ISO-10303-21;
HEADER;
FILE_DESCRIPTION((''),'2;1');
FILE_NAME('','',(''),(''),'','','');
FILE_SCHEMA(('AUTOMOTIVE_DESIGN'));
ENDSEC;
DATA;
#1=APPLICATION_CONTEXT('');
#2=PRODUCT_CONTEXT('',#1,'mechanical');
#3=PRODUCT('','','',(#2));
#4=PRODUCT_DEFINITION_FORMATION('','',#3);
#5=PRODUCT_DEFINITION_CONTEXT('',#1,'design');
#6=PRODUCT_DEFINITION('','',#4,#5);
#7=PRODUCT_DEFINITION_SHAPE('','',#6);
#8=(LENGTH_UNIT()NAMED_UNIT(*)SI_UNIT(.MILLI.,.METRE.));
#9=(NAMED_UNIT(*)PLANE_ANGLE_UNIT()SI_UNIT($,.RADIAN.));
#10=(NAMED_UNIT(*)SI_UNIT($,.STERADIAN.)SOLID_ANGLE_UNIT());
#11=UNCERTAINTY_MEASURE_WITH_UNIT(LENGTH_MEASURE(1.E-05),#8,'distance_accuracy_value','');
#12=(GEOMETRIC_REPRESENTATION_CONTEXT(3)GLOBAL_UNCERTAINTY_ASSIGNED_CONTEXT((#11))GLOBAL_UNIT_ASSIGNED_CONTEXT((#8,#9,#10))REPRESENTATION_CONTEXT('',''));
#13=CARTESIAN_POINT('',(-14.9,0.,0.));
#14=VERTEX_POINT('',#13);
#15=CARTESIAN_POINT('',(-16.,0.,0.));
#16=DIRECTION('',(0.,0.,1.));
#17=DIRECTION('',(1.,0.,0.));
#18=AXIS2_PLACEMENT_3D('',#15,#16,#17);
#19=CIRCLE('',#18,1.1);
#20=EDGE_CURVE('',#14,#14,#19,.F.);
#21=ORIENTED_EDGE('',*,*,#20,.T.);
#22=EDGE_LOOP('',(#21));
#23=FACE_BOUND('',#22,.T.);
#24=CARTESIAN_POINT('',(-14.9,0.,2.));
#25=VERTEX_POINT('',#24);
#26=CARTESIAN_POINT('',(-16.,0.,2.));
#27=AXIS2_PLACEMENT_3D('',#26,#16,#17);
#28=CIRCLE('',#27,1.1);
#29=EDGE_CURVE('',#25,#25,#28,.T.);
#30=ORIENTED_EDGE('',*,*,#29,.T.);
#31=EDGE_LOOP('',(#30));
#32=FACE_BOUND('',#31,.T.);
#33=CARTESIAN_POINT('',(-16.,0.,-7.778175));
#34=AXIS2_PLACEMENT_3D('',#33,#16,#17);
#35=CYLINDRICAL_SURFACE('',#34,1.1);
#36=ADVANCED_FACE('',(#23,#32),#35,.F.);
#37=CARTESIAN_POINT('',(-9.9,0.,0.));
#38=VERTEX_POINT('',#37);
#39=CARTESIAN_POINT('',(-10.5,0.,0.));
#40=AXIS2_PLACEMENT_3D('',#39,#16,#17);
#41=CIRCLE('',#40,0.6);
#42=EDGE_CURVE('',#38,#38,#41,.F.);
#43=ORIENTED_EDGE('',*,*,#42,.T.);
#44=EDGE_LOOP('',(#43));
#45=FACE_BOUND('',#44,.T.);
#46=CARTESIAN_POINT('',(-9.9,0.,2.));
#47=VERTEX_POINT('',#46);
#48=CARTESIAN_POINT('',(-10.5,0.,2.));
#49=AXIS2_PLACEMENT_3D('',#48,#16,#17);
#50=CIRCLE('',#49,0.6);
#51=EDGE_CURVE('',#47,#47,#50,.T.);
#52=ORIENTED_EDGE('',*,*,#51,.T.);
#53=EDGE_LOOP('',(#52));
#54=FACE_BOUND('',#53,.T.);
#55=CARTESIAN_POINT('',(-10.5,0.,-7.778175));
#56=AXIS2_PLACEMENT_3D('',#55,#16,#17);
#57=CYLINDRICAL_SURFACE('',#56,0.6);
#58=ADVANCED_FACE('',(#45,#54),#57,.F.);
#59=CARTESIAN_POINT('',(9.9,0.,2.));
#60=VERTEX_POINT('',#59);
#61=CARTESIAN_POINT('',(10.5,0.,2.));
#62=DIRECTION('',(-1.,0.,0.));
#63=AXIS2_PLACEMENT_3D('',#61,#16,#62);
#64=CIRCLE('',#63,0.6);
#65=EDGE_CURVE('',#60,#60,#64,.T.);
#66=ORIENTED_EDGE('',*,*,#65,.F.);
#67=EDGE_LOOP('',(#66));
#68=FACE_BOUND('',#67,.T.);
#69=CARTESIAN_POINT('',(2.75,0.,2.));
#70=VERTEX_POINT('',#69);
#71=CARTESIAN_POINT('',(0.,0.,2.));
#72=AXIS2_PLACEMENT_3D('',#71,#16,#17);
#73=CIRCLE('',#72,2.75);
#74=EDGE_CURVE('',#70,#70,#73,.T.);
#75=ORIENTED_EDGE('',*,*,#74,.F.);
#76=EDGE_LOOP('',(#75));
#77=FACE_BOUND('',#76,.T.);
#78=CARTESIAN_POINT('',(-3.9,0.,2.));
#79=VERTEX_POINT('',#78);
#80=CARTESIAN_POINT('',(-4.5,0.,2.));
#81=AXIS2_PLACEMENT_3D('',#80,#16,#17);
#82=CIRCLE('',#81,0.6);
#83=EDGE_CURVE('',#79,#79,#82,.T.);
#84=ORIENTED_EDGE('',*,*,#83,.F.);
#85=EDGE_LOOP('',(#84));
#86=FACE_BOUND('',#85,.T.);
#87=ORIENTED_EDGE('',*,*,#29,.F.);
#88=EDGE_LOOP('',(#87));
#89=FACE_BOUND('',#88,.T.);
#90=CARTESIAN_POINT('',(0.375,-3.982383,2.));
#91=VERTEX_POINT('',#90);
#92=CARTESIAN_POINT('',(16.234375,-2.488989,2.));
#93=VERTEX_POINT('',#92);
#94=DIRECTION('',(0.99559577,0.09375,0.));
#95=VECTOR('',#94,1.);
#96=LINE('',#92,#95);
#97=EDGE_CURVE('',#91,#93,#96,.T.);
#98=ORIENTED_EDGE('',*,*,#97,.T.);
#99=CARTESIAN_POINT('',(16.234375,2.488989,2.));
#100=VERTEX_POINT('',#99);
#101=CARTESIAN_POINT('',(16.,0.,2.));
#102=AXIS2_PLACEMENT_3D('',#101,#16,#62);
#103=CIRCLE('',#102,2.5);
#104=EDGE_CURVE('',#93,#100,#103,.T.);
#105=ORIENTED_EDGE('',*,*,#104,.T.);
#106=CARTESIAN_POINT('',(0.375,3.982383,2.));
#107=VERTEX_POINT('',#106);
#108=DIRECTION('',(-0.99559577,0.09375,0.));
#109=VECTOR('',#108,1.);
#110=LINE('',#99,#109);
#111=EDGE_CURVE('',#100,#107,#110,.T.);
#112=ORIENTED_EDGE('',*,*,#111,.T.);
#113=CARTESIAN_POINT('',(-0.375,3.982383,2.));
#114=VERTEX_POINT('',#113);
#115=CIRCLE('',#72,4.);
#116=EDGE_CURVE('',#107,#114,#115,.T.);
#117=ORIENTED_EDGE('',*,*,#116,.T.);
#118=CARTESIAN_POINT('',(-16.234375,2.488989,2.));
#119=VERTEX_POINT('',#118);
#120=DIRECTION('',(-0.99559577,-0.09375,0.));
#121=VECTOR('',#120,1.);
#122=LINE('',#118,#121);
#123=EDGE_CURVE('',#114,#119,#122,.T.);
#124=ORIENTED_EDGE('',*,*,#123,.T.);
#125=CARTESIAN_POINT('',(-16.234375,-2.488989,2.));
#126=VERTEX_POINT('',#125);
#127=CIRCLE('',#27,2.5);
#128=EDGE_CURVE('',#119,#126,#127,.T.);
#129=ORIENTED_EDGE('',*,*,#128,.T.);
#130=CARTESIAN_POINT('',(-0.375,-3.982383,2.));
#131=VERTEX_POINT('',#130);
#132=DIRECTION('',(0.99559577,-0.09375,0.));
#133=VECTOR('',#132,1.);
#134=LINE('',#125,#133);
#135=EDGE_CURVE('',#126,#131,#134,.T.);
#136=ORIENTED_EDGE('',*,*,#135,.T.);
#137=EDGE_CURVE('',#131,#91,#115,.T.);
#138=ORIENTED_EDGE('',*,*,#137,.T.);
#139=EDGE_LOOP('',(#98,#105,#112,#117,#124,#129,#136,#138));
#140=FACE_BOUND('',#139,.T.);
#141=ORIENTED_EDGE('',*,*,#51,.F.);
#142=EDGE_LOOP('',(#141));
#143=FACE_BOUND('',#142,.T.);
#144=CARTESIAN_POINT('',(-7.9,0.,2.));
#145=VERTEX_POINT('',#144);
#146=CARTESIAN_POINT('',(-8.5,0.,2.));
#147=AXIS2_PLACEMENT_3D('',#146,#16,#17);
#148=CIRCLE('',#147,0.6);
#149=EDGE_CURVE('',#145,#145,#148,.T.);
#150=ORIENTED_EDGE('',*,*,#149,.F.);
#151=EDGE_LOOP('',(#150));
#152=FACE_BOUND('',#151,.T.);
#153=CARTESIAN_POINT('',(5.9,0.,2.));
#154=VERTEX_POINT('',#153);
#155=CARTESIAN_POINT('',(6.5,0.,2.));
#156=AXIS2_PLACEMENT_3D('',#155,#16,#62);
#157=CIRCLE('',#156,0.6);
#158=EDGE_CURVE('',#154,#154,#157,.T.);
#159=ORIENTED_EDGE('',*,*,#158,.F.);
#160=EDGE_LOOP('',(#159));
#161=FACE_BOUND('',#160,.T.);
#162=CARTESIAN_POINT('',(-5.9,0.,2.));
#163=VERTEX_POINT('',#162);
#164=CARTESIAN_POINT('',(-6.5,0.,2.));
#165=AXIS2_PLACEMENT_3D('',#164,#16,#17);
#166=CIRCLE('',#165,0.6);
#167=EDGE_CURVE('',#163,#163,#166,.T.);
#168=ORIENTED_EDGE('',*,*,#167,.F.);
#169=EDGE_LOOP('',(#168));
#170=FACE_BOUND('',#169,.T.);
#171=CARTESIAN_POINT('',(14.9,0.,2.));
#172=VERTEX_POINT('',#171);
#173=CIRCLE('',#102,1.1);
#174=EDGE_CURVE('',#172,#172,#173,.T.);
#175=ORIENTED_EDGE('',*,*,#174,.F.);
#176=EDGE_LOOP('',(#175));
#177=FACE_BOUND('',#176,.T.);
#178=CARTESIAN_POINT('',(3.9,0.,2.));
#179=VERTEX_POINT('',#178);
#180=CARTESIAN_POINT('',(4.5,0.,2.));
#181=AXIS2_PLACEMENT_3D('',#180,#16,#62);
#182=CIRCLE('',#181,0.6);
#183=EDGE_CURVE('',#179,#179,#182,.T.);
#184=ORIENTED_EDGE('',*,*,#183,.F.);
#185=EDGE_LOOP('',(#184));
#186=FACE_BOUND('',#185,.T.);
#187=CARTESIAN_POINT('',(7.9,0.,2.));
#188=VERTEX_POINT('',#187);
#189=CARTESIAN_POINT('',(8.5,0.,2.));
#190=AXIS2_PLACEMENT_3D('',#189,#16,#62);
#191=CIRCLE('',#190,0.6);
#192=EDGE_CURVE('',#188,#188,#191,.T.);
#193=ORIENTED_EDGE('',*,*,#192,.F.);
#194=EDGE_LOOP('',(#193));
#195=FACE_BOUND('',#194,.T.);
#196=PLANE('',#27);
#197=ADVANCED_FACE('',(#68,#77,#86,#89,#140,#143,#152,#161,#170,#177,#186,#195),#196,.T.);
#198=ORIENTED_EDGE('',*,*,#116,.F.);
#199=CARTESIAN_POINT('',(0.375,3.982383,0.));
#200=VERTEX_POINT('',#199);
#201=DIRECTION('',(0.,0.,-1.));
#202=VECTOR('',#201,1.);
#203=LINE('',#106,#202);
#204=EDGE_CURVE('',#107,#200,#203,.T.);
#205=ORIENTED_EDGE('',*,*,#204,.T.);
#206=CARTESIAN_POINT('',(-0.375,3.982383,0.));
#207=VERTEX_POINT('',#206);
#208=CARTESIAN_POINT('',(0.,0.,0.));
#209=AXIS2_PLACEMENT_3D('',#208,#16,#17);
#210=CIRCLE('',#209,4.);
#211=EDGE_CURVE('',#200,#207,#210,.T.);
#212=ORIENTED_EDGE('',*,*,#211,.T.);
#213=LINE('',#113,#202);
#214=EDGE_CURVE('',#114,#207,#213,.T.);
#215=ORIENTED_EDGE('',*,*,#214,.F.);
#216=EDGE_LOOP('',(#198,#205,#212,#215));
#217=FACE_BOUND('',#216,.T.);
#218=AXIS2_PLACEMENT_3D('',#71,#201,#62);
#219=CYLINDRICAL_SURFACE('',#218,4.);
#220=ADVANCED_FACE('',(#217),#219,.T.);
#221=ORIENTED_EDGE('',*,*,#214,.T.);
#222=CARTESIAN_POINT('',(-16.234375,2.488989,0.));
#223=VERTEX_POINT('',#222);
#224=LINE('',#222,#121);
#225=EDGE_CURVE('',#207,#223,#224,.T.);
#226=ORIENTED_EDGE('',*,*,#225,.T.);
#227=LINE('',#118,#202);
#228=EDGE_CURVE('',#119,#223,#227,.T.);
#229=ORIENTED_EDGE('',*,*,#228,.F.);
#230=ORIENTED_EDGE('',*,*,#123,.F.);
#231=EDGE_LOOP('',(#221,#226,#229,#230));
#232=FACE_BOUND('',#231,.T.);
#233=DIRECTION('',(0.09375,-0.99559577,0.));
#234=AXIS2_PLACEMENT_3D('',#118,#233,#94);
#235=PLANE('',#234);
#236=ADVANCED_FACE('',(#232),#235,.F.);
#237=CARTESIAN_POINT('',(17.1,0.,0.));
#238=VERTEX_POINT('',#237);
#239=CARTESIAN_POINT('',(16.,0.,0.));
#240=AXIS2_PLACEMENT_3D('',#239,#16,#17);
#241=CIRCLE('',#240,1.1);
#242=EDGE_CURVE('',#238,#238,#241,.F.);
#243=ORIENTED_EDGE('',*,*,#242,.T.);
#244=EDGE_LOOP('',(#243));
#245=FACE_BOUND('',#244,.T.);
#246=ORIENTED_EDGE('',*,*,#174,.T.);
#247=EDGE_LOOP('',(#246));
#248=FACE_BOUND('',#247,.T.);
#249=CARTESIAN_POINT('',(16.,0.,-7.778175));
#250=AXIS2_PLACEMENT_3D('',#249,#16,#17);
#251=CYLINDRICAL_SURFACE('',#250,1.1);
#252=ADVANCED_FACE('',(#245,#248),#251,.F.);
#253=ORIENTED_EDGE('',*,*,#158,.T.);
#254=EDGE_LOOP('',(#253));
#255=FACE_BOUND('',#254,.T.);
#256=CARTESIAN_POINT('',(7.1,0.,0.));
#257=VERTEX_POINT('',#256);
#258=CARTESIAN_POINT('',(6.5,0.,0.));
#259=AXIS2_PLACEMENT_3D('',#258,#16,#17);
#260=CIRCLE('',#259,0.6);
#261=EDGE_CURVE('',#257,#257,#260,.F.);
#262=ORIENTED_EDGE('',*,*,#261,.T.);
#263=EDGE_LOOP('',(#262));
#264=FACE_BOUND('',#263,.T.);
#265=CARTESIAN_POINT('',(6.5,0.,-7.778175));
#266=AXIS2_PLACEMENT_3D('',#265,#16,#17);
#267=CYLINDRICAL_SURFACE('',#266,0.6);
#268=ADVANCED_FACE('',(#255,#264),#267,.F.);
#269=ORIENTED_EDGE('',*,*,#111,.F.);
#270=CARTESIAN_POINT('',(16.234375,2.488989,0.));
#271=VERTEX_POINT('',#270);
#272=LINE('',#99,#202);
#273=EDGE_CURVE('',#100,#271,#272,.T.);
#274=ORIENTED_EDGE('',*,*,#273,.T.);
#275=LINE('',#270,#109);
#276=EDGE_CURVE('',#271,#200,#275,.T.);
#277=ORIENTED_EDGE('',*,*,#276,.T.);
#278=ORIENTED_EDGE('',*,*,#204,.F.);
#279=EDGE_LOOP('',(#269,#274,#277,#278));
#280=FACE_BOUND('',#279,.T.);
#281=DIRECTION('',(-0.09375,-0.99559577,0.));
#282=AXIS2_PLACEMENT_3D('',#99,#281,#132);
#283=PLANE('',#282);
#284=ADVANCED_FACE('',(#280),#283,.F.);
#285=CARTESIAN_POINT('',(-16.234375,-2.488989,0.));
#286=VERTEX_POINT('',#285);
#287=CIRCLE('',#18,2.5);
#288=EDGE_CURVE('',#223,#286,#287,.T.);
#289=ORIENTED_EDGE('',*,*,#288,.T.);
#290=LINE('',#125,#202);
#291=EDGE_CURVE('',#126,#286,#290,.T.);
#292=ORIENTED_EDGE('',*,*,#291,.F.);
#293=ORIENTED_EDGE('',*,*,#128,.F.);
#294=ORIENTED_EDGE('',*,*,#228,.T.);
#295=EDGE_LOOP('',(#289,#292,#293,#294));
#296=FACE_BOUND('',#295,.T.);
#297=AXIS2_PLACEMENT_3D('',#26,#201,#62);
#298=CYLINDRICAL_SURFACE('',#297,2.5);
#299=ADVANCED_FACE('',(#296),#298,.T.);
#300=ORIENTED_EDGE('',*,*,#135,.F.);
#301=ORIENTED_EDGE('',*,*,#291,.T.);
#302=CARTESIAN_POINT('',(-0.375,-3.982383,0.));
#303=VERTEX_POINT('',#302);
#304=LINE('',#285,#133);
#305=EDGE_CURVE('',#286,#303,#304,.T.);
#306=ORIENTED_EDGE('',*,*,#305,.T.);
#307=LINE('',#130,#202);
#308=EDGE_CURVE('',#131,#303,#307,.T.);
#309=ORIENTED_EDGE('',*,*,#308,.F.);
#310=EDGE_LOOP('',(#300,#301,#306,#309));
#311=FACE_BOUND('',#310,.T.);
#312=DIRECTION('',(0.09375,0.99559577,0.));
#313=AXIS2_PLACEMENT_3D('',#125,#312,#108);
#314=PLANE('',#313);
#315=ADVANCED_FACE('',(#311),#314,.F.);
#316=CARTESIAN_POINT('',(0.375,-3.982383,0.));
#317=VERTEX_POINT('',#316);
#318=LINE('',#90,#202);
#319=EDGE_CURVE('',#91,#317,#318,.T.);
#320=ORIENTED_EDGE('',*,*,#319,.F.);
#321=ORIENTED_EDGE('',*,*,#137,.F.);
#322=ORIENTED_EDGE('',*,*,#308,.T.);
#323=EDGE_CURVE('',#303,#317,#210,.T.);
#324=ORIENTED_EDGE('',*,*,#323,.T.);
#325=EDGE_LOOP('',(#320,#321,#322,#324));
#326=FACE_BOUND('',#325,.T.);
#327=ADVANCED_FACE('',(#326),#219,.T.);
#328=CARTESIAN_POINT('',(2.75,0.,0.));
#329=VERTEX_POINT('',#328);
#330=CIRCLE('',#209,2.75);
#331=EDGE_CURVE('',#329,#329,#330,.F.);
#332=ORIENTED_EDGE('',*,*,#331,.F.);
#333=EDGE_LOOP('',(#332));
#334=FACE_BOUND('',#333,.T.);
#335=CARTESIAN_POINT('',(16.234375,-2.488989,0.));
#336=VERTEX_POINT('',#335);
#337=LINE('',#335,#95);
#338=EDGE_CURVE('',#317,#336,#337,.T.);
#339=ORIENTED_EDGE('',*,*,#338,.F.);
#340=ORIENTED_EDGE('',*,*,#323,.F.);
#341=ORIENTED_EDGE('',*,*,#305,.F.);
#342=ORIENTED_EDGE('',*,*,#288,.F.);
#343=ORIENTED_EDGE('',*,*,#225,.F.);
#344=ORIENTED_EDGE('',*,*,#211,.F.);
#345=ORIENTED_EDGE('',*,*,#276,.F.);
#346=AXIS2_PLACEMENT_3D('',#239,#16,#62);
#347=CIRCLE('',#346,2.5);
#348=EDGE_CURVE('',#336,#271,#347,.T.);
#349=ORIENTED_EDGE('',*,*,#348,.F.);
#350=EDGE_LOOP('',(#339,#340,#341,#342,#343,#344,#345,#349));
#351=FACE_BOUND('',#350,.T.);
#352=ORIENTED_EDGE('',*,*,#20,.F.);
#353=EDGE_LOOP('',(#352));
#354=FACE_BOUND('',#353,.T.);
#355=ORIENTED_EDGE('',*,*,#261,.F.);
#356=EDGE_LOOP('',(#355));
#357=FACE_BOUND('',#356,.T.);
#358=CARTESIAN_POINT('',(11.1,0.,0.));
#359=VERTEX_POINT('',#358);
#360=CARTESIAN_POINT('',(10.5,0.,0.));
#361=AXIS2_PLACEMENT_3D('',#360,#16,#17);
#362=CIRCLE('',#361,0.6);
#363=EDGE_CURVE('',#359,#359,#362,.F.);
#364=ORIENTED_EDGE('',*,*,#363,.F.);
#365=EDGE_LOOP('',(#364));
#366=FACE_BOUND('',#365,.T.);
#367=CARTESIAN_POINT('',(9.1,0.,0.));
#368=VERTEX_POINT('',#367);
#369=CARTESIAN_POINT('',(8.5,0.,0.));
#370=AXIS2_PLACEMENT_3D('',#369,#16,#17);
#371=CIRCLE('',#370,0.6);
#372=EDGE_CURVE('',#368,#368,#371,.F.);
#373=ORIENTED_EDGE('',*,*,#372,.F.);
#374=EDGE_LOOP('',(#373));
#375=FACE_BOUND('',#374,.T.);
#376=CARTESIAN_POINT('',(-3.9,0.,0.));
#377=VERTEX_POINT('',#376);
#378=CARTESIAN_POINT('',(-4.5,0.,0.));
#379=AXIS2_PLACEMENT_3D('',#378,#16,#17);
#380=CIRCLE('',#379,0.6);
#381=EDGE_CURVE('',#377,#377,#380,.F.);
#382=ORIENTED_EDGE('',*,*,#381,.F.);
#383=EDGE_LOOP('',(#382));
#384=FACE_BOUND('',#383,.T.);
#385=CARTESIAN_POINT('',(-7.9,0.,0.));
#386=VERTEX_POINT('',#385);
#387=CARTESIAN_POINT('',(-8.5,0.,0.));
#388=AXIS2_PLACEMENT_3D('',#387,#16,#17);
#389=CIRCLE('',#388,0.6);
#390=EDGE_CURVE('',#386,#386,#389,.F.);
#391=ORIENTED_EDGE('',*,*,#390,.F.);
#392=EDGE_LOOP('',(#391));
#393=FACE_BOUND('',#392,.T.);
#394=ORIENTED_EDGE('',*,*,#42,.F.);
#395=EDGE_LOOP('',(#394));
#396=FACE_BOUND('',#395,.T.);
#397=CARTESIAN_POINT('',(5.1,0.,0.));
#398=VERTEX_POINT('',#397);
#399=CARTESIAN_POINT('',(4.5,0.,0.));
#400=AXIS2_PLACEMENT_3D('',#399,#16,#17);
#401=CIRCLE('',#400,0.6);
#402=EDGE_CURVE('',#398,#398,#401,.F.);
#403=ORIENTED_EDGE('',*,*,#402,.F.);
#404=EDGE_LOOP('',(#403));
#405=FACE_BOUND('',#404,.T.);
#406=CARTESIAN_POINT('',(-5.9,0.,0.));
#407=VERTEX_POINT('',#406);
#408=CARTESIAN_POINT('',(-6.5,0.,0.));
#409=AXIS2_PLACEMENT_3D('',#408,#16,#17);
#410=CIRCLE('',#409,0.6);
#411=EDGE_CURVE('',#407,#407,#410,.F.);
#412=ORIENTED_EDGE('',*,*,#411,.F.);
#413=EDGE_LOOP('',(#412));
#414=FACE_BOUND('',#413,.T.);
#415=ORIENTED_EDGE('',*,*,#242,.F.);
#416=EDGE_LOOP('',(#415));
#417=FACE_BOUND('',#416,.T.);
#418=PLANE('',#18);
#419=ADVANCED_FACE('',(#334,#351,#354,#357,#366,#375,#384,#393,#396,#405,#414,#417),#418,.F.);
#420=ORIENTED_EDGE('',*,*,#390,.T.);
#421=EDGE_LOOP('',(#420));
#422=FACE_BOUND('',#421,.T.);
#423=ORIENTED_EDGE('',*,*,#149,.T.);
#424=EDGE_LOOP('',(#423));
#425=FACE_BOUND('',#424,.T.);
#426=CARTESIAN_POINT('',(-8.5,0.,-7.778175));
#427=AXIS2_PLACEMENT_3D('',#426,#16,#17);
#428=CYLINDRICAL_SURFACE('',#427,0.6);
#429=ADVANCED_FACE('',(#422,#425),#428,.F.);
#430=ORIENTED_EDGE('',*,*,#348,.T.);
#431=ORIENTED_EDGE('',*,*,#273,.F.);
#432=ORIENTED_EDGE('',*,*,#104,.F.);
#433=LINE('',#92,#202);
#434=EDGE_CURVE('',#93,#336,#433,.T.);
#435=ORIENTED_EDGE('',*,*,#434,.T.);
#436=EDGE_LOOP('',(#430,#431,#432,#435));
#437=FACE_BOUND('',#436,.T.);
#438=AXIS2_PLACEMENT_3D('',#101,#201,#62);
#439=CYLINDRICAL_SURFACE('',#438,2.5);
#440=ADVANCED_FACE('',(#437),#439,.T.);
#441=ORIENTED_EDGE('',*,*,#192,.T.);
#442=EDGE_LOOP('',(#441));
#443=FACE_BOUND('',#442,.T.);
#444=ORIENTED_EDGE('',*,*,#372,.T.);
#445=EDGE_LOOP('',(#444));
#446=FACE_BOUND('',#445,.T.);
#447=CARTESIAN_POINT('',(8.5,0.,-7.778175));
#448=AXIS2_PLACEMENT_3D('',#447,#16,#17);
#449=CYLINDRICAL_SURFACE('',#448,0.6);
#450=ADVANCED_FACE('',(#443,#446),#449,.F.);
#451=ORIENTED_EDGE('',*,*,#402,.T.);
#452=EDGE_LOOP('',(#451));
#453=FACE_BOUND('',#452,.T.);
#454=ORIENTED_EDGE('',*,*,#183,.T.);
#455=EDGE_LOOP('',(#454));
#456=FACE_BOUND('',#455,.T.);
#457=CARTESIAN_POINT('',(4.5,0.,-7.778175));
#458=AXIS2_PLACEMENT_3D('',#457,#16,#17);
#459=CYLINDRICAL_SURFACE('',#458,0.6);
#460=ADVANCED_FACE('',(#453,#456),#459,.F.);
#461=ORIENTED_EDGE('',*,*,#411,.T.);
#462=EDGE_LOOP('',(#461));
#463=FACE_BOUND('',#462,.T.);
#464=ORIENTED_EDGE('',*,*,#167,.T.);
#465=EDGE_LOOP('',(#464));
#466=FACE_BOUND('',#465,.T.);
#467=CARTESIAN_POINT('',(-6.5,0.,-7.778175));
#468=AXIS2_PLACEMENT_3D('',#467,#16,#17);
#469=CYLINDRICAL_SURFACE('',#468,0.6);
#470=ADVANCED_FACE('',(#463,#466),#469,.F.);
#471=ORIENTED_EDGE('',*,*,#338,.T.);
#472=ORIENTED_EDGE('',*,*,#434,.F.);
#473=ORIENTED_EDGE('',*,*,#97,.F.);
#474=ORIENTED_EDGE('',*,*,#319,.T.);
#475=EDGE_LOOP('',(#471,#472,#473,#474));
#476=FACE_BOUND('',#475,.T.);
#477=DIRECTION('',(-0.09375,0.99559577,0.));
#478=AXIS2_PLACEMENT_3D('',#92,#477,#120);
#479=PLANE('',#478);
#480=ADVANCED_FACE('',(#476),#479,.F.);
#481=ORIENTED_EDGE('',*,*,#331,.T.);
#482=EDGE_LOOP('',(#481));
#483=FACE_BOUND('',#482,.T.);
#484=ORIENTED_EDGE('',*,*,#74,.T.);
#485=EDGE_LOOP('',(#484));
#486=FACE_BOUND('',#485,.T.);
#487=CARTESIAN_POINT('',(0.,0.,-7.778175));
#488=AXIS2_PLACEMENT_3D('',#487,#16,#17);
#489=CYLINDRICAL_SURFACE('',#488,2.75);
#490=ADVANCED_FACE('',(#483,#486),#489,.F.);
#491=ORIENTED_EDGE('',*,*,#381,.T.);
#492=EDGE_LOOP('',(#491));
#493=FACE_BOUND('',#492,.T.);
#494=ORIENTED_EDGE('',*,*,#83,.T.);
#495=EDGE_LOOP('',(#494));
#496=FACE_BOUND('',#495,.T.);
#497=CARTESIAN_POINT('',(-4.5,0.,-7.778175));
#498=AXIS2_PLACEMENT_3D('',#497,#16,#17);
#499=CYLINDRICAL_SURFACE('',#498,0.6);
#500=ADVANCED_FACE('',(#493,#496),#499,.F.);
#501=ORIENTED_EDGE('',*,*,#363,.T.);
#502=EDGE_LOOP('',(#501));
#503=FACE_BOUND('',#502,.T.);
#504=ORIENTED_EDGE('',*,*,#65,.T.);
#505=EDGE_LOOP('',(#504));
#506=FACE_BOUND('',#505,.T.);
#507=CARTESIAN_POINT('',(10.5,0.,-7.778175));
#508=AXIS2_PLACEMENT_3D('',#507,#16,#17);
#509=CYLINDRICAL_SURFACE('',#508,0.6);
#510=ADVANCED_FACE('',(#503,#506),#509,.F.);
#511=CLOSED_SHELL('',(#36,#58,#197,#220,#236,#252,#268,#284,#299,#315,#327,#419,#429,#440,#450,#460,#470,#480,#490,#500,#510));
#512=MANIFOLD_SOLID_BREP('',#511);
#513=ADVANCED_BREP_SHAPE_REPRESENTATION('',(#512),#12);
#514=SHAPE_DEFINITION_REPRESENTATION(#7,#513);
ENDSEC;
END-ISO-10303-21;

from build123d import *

# Parameters (mm, degrees)
EXTRUDE_1_DEPTH     = 2
SKETCH_2_R          = 2.75
SKETCH_2_R_2        = 1.1
SKETCH_2_R_3        = 0.6
CUT_EXTRUDE_1_DEPTH = 2


with BuildPart() as part:
    # 草图1 → 凸台-拉伸1 (new body)
    with BuildSketch(Plane.XY):
        with BuildLine():
            Line((-16.234375, 2.488989425), (-0.375, 3.982383081))
            ThreePointArc((-0.375, 3.982383081), (0, 4), (0.375, 3.982383081))
            Line((0.375, 3.982383081), (16.234375, 2.488989425))
            ThreePointArc((16.234375, 2.488989425), (18.5, 0), (16.234375, -2.488989425))
            Line((16.234375, -2.488989425), (0.375, -3.982383081))
            ThreePointArc((0.375, -3.982383081), (0, -4), (-0.375, -3.982383081))
            Line((-0.375, -3.982383081), (-16.234375, -2.488989425))
            ThreePointArc((-16.234375, -2.488989425), (-18.5, 0), (-16.234375, 2.488989425))
        make_face()
    extrude(amount=EXTRUDE_1_DEPTH)

    # 草图2 → 切除-拉伸1 (cut)
    with BuildSketch(Plane.XY.offset(2)):
        Circle(SKETCH_2_R)
        with Locations((-16, 0)):
            Circle(SKETCH_2_R_2)
        with Locations((16, 0)):
            Circle(SKETCH_2_R_2)
        with Locations((-4.5, 0)):
            Circle(SKETCH_2_R_3)
        with Locations((-6.5, 0)):
            Circle(SKETCH_2_R_3)
        with Locations((-8.5, 0)):
            Circle(SKETCH_2_R_3)
        with Locations((-10.5, 0)):
            Circle(SKETCH_2_R_3)
        with Locations((4.5, 0)):
            Circle(SKETCH_2_R_3)
        with Locations((10.5, 0)):
            Circle(SKETCH_2_R_3)
        with Locations((8.5, 0)):
            Circle(SKETCH_2_R_3)
        with Locations((6.5, 0)):
            Circle(SKETCH_2_R_3)
    extrude(amount=-CUT_EXTRUDE_1_DEPTH, mode=Mode.SUBTRACT)


solid = part.part
